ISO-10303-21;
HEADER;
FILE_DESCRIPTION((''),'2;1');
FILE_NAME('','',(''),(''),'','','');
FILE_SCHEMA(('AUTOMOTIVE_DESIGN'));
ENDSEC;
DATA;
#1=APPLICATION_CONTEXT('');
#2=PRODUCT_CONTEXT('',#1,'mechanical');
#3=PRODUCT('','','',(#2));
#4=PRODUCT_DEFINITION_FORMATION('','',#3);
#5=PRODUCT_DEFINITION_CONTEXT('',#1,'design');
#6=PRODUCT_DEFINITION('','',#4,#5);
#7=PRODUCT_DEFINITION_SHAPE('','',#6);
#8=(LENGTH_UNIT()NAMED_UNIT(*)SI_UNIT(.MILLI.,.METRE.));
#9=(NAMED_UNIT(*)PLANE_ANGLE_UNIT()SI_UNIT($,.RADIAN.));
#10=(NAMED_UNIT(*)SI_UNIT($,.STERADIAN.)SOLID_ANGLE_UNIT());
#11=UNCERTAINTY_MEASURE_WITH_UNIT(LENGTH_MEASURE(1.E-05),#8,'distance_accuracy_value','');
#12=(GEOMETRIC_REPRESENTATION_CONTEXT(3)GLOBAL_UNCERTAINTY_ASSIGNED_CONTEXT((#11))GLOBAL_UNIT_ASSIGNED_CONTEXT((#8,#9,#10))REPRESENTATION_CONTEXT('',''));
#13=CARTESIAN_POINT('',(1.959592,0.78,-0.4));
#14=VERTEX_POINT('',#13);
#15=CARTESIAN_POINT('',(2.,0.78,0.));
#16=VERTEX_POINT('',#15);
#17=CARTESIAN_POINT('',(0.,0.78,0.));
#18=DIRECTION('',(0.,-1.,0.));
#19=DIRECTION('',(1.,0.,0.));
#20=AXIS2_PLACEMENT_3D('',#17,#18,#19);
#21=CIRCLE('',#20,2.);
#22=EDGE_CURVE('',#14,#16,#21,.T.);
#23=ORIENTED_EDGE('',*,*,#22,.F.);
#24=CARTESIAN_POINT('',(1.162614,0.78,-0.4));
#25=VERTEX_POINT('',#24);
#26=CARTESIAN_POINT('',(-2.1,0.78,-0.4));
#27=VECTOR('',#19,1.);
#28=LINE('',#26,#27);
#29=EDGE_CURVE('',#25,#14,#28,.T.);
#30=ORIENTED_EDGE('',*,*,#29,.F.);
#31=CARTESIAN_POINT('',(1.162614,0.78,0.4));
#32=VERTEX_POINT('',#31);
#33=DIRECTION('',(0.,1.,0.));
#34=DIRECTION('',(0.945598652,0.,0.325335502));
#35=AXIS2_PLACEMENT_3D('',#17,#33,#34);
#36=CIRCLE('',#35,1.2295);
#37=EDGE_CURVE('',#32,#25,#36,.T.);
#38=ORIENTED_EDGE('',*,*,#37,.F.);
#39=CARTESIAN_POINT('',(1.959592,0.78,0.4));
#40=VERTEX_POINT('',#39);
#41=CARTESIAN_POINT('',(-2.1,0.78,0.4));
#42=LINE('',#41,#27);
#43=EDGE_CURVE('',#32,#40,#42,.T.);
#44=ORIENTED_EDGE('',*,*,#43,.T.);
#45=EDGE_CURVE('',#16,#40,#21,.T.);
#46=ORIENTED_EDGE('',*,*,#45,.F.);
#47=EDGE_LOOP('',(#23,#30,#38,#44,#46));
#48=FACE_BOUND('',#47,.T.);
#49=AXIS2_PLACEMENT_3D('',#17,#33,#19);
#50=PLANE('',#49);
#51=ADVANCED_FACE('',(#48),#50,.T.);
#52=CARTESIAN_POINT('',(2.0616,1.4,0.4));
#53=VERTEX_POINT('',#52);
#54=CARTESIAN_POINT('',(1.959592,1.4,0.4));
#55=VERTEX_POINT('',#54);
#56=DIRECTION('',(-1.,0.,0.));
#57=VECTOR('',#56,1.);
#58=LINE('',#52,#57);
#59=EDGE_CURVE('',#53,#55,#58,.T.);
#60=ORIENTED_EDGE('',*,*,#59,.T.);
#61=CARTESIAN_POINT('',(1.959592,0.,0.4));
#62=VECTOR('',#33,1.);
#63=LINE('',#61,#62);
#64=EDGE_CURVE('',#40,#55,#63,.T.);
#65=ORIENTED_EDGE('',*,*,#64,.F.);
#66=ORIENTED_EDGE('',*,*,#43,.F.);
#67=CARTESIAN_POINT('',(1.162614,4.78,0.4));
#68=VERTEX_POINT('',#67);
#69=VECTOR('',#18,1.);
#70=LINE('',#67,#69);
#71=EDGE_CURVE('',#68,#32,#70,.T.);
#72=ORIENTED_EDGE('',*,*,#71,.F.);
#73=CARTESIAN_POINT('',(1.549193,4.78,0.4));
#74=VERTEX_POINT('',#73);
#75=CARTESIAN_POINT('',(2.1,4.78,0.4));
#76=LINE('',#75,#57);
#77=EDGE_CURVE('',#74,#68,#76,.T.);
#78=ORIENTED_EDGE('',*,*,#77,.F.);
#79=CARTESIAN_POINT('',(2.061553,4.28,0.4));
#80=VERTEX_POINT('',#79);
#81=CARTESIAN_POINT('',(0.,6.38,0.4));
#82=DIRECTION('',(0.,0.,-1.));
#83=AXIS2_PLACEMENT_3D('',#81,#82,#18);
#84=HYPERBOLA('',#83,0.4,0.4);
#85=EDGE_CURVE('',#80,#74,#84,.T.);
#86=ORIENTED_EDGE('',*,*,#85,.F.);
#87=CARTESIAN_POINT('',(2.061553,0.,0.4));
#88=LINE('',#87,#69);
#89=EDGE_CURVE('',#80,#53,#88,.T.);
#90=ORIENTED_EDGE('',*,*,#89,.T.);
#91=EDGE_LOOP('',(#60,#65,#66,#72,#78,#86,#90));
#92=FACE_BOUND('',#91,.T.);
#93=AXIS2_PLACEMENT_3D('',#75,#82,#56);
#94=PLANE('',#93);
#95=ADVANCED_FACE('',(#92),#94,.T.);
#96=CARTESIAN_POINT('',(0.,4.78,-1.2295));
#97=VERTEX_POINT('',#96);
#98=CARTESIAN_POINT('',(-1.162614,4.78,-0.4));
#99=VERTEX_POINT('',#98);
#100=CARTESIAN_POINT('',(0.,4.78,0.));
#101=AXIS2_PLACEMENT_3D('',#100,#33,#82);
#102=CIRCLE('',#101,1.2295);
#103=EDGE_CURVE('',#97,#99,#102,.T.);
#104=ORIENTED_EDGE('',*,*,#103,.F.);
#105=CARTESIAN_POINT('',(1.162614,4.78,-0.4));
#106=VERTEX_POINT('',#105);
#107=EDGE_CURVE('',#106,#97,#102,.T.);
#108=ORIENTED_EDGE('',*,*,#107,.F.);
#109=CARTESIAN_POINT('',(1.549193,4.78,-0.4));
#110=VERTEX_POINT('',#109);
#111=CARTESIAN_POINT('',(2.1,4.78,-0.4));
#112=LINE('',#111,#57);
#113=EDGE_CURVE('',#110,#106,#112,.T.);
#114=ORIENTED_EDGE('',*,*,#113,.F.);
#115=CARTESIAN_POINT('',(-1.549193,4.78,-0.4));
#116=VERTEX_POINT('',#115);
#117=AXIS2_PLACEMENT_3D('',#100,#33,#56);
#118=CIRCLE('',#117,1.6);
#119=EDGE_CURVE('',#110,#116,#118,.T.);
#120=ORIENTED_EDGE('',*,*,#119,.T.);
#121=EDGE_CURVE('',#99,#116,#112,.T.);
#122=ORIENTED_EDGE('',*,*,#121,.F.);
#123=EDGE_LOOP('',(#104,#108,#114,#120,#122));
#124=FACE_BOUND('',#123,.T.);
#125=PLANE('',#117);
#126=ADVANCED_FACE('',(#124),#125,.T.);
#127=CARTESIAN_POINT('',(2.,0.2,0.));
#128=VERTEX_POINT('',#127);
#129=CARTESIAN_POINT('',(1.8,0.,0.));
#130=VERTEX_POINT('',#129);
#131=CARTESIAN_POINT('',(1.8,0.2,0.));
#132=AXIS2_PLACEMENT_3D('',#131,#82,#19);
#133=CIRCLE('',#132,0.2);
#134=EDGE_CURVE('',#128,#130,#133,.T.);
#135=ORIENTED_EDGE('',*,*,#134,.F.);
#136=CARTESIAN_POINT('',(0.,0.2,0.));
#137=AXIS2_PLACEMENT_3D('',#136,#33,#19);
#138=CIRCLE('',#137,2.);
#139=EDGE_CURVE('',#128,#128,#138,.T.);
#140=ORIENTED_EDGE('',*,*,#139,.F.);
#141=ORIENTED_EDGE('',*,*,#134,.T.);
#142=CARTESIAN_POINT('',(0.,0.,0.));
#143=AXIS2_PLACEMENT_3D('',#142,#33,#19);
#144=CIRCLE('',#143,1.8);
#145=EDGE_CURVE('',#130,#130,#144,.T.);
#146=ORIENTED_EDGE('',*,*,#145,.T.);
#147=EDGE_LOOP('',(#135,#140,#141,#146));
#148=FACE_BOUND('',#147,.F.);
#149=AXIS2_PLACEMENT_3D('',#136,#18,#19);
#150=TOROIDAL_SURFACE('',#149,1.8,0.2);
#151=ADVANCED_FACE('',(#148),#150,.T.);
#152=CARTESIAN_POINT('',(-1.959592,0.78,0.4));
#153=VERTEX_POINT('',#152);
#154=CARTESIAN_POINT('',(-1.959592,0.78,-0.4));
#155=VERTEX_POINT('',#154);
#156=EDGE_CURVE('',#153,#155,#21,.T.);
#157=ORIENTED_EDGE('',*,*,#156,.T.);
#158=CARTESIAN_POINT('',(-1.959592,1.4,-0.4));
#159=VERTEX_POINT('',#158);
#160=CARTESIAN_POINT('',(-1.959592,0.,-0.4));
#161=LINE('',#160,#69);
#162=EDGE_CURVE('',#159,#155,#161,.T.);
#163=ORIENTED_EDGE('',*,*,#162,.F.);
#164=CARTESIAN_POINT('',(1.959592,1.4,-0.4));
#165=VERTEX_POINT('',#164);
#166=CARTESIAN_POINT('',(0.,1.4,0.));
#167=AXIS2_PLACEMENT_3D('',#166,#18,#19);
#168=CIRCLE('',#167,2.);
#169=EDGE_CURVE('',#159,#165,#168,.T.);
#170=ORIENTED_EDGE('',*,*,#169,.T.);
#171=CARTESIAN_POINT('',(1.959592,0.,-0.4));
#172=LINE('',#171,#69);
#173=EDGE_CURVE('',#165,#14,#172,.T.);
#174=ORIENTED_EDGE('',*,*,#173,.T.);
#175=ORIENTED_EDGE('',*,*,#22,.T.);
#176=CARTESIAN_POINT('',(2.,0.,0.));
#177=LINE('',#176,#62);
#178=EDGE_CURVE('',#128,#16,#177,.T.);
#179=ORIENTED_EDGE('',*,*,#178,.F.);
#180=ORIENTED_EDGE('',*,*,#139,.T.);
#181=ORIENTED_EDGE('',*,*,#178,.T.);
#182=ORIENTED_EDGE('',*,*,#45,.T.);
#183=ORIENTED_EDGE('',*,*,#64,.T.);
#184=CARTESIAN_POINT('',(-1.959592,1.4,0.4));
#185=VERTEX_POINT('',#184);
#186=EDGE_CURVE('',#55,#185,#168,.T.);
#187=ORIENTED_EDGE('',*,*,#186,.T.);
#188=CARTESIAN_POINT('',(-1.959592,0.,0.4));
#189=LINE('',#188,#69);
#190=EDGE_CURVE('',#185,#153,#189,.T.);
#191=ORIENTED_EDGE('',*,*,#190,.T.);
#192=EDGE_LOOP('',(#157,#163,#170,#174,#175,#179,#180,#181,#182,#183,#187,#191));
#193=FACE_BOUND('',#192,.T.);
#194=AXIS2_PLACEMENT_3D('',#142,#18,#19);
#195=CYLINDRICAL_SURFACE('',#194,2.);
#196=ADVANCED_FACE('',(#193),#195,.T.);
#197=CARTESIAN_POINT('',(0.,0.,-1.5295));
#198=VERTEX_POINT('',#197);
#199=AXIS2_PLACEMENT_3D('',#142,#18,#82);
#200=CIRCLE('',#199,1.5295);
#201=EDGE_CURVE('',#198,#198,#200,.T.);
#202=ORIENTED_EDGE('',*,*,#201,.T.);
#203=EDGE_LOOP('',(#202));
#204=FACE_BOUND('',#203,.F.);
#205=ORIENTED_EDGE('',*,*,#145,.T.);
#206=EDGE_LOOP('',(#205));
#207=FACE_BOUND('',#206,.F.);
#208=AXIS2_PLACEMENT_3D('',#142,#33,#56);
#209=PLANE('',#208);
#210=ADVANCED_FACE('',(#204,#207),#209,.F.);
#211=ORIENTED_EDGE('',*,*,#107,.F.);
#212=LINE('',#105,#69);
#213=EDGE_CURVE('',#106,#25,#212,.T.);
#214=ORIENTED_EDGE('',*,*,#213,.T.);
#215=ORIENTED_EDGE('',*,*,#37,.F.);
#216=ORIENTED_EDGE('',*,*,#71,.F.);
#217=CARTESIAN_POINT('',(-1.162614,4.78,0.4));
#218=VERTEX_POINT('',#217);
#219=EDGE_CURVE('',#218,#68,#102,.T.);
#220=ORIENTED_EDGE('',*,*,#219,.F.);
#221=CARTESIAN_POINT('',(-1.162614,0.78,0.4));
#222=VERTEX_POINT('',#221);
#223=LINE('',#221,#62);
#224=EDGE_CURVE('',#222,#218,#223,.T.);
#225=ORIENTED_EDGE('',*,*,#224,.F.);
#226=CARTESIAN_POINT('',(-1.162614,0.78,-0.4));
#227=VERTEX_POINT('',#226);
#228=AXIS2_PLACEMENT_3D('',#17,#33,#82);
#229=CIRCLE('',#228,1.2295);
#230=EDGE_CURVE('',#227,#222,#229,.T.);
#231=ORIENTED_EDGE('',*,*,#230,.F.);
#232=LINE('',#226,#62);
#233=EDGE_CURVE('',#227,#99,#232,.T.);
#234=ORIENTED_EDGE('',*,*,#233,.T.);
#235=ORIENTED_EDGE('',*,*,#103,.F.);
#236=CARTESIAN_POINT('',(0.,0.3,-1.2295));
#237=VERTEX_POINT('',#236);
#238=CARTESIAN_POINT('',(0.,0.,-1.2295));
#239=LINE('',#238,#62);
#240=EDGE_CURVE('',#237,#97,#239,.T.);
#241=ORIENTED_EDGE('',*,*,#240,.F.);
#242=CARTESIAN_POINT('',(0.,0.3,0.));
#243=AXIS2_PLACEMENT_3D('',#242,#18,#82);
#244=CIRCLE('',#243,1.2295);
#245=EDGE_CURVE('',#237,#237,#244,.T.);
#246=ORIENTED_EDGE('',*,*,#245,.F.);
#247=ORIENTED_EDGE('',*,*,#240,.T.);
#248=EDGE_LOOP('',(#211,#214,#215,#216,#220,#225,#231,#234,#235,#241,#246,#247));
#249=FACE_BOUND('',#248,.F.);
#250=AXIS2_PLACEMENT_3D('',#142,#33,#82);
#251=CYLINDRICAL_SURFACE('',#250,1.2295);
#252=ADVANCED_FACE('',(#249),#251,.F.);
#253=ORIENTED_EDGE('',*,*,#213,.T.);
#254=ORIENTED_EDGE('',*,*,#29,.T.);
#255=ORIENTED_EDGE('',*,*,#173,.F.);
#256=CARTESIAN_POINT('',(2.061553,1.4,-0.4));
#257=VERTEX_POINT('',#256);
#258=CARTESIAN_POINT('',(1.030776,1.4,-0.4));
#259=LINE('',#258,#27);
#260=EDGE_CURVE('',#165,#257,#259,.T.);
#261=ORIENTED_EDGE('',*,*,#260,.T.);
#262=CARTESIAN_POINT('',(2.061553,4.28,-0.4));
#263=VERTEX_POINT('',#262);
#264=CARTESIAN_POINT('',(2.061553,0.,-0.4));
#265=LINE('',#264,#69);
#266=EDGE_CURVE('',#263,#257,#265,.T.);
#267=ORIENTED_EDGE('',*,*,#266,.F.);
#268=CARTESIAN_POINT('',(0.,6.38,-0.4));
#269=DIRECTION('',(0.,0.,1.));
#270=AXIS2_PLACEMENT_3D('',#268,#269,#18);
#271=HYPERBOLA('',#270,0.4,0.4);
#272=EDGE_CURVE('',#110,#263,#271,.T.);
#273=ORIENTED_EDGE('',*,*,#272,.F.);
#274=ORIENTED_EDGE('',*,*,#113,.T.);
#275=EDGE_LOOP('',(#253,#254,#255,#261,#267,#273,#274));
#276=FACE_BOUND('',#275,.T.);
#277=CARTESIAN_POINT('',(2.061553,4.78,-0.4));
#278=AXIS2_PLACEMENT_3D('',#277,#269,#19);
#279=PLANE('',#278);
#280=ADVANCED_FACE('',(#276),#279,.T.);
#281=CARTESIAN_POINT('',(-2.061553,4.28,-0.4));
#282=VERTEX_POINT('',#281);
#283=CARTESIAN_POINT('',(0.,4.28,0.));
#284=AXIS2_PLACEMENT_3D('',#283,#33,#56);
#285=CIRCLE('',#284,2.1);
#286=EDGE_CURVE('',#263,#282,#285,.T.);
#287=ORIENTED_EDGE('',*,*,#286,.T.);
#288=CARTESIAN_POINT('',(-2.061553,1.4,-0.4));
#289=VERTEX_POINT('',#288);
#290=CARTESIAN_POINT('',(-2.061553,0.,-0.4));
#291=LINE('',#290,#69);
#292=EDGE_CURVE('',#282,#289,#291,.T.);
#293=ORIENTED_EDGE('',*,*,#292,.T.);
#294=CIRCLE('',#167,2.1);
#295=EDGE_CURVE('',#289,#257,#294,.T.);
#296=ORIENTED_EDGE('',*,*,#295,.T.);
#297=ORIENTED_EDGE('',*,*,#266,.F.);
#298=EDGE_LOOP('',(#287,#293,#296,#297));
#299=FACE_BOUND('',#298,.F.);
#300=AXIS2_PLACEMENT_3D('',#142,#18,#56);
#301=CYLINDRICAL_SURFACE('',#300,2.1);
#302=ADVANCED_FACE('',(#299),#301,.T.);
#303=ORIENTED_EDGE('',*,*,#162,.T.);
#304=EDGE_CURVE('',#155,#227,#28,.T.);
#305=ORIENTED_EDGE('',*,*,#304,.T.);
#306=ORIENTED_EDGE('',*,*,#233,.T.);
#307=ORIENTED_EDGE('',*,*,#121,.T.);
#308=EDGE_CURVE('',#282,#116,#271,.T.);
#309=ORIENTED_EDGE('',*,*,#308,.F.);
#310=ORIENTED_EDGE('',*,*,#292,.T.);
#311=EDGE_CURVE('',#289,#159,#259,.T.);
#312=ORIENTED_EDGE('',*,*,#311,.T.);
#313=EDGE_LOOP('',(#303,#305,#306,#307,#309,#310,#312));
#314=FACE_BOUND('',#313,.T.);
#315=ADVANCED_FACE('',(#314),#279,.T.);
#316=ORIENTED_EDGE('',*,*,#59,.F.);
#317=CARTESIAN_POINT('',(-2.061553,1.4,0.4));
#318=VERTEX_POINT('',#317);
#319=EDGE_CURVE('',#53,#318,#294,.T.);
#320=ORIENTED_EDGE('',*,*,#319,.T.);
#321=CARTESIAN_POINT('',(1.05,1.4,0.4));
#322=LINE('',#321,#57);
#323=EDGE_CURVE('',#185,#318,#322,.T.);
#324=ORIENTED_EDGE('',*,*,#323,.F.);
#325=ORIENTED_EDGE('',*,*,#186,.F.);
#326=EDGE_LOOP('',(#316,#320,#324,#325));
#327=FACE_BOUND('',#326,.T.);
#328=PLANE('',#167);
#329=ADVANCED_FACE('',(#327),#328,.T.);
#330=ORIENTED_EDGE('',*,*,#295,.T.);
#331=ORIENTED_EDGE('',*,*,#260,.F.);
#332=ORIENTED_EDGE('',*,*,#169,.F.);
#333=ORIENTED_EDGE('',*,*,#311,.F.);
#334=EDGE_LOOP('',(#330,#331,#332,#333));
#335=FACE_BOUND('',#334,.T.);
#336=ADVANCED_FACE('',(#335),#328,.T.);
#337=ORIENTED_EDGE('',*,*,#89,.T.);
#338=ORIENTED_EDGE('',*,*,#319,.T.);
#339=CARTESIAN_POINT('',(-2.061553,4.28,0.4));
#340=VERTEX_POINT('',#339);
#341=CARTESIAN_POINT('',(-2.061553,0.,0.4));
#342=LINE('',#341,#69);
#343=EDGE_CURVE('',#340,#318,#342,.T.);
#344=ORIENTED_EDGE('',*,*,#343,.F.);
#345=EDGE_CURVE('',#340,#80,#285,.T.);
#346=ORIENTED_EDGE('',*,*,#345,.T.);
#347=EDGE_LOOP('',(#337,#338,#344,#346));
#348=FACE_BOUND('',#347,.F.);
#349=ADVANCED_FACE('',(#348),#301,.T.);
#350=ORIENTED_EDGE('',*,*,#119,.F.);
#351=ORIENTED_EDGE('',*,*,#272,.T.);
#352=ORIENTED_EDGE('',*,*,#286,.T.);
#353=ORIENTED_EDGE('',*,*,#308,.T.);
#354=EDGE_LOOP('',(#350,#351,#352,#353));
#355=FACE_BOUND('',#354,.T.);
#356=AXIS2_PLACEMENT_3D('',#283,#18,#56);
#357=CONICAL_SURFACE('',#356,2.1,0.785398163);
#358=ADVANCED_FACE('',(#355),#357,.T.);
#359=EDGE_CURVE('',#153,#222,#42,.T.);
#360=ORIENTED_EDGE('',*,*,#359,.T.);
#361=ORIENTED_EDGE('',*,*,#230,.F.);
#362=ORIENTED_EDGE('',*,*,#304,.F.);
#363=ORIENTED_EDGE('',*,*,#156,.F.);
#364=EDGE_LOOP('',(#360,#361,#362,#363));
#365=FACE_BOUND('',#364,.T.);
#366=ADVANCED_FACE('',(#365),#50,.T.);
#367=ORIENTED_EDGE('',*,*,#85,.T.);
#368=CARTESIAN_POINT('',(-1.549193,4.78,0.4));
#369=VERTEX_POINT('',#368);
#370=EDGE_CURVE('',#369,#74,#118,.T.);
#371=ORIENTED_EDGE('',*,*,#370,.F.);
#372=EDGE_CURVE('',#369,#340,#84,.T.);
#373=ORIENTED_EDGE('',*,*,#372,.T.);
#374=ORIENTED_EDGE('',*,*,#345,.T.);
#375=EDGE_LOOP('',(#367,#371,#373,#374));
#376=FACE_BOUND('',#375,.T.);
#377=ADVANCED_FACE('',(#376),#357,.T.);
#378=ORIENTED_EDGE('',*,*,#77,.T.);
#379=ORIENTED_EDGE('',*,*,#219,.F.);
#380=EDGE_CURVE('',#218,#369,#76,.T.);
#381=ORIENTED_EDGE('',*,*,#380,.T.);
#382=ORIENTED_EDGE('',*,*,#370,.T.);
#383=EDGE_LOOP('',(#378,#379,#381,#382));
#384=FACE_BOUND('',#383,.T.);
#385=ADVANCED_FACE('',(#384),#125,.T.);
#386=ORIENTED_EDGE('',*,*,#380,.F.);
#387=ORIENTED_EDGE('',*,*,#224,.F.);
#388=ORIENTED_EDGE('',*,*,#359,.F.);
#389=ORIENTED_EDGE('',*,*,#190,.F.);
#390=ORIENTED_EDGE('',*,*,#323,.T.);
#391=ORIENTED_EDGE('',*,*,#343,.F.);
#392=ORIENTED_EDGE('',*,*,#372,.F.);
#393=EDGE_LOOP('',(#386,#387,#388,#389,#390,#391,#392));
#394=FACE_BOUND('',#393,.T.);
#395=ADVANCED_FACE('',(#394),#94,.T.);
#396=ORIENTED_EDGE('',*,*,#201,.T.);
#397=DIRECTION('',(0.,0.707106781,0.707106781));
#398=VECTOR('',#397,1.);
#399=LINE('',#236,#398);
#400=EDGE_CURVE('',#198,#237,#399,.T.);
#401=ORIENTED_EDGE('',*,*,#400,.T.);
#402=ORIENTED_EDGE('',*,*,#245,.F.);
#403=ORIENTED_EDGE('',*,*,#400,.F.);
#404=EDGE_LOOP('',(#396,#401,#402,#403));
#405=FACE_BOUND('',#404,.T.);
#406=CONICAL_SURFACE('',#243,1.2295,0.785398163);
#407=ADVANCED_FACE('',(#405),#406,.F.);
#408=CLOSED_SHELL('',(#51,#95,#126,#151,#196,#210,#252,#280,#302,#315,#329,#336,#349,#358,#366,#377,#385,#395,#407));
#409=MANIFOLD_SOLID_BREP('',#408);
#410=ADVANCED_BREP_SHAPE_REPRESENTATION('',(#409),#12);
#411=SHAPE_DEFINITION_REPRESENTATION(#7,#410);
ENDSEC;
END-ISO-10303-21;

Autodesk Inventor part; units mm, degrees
ref_plane "YZ Plane" through (0, 0, 0) normal (1, 0, 0) x (0, 1, 0)
ref_plane "XZ Plane" through (0, 0, 0) normal (0, 1, 0) x (-1, 0, 0)
ref_plane "XY Plane" through (0, 0, 0) normal (0, 0, 1) x (1, 0, 0)
sketch "Sketch1" plane through (0, 0, 0) normal (0, 1, 0) x (-1, 0, 0)
  circle A0 centre (0, 0) radius 2.1
  dimension "d0" = 4.2
extrude "Extrusion1" add sketch "Sketch1" along normal blind 4.78
hole "Hole1" at (0, 0, 0) direction (0, 1, 0) diameter 2.459 end through all thread size "M3x0.5" class "6H" standard "ISO Metric profile"
chamfer "Chamfer1" distance 0.5 angle 45 1 edges at (2.1, 4.78, 0)
sketch "Sketch2" plane through (0, 4.78, 0) normal (0, 1, 0) x (1, 0, 0)
  line L0 (2.1, -0.4) -> (-2.1, -0.4)
  line L1 (-2.1, -0.4) -> (-2.1, 0.4)
  line L2 (-2.1, 0.4) -> (2.1, 0.4)
  line L3 (2.1, 0.4) -> (2.1, -0.4)
  circle A0 centre (0, 0) radius 1.2295 projected
  line L4 (2.1, -0.4) -> (-2.1, 0.4) construction
  line L5 (-2.1, -0.4) -> (2.1, 0.4) construction
  circle A1 centre (0, 0) radius 2.1 projected
  point P0 (-2.1, 0)
  dimension "d13" = 0.8
extrude "Extrusion2" cut sketch "Sketch2" against normal blind 4 contours L0 A1 L3 | L0 A0 L2 A1 | A1 L2 L3 | L0 A0 L2 | A1 L2 A0 L0 | L0 L1 A1 | L1 L2 A1
sketch "Sketch3" plane through (0, 0, 0) normal (0, -1, 0) x (1, 0, 0)
  circle A0 centre (0, 0) radius 1.2295 projected
  line L0 (2.0616, 0.4) -> (1.1626, 0.4) projected
  circle A1 centre (0, 0) radius 2.1
  circle A2 centre (0, 0) radius 2
  dimension "d16" = 4
extrude "Extrusion3" cut sketch "Sketch3" against normal blind 1.4
fillet "Fillet1" radius 0.2 1 edges at (-2, 0, 0)
chamfer "Chamfer2" distance 0.3 angle 45 1 edges at (0, 0, 1.2295)
properties part number "RS 278-534 M3 fixing Dia4FixHole" material "Brass, Soft Yellow"
